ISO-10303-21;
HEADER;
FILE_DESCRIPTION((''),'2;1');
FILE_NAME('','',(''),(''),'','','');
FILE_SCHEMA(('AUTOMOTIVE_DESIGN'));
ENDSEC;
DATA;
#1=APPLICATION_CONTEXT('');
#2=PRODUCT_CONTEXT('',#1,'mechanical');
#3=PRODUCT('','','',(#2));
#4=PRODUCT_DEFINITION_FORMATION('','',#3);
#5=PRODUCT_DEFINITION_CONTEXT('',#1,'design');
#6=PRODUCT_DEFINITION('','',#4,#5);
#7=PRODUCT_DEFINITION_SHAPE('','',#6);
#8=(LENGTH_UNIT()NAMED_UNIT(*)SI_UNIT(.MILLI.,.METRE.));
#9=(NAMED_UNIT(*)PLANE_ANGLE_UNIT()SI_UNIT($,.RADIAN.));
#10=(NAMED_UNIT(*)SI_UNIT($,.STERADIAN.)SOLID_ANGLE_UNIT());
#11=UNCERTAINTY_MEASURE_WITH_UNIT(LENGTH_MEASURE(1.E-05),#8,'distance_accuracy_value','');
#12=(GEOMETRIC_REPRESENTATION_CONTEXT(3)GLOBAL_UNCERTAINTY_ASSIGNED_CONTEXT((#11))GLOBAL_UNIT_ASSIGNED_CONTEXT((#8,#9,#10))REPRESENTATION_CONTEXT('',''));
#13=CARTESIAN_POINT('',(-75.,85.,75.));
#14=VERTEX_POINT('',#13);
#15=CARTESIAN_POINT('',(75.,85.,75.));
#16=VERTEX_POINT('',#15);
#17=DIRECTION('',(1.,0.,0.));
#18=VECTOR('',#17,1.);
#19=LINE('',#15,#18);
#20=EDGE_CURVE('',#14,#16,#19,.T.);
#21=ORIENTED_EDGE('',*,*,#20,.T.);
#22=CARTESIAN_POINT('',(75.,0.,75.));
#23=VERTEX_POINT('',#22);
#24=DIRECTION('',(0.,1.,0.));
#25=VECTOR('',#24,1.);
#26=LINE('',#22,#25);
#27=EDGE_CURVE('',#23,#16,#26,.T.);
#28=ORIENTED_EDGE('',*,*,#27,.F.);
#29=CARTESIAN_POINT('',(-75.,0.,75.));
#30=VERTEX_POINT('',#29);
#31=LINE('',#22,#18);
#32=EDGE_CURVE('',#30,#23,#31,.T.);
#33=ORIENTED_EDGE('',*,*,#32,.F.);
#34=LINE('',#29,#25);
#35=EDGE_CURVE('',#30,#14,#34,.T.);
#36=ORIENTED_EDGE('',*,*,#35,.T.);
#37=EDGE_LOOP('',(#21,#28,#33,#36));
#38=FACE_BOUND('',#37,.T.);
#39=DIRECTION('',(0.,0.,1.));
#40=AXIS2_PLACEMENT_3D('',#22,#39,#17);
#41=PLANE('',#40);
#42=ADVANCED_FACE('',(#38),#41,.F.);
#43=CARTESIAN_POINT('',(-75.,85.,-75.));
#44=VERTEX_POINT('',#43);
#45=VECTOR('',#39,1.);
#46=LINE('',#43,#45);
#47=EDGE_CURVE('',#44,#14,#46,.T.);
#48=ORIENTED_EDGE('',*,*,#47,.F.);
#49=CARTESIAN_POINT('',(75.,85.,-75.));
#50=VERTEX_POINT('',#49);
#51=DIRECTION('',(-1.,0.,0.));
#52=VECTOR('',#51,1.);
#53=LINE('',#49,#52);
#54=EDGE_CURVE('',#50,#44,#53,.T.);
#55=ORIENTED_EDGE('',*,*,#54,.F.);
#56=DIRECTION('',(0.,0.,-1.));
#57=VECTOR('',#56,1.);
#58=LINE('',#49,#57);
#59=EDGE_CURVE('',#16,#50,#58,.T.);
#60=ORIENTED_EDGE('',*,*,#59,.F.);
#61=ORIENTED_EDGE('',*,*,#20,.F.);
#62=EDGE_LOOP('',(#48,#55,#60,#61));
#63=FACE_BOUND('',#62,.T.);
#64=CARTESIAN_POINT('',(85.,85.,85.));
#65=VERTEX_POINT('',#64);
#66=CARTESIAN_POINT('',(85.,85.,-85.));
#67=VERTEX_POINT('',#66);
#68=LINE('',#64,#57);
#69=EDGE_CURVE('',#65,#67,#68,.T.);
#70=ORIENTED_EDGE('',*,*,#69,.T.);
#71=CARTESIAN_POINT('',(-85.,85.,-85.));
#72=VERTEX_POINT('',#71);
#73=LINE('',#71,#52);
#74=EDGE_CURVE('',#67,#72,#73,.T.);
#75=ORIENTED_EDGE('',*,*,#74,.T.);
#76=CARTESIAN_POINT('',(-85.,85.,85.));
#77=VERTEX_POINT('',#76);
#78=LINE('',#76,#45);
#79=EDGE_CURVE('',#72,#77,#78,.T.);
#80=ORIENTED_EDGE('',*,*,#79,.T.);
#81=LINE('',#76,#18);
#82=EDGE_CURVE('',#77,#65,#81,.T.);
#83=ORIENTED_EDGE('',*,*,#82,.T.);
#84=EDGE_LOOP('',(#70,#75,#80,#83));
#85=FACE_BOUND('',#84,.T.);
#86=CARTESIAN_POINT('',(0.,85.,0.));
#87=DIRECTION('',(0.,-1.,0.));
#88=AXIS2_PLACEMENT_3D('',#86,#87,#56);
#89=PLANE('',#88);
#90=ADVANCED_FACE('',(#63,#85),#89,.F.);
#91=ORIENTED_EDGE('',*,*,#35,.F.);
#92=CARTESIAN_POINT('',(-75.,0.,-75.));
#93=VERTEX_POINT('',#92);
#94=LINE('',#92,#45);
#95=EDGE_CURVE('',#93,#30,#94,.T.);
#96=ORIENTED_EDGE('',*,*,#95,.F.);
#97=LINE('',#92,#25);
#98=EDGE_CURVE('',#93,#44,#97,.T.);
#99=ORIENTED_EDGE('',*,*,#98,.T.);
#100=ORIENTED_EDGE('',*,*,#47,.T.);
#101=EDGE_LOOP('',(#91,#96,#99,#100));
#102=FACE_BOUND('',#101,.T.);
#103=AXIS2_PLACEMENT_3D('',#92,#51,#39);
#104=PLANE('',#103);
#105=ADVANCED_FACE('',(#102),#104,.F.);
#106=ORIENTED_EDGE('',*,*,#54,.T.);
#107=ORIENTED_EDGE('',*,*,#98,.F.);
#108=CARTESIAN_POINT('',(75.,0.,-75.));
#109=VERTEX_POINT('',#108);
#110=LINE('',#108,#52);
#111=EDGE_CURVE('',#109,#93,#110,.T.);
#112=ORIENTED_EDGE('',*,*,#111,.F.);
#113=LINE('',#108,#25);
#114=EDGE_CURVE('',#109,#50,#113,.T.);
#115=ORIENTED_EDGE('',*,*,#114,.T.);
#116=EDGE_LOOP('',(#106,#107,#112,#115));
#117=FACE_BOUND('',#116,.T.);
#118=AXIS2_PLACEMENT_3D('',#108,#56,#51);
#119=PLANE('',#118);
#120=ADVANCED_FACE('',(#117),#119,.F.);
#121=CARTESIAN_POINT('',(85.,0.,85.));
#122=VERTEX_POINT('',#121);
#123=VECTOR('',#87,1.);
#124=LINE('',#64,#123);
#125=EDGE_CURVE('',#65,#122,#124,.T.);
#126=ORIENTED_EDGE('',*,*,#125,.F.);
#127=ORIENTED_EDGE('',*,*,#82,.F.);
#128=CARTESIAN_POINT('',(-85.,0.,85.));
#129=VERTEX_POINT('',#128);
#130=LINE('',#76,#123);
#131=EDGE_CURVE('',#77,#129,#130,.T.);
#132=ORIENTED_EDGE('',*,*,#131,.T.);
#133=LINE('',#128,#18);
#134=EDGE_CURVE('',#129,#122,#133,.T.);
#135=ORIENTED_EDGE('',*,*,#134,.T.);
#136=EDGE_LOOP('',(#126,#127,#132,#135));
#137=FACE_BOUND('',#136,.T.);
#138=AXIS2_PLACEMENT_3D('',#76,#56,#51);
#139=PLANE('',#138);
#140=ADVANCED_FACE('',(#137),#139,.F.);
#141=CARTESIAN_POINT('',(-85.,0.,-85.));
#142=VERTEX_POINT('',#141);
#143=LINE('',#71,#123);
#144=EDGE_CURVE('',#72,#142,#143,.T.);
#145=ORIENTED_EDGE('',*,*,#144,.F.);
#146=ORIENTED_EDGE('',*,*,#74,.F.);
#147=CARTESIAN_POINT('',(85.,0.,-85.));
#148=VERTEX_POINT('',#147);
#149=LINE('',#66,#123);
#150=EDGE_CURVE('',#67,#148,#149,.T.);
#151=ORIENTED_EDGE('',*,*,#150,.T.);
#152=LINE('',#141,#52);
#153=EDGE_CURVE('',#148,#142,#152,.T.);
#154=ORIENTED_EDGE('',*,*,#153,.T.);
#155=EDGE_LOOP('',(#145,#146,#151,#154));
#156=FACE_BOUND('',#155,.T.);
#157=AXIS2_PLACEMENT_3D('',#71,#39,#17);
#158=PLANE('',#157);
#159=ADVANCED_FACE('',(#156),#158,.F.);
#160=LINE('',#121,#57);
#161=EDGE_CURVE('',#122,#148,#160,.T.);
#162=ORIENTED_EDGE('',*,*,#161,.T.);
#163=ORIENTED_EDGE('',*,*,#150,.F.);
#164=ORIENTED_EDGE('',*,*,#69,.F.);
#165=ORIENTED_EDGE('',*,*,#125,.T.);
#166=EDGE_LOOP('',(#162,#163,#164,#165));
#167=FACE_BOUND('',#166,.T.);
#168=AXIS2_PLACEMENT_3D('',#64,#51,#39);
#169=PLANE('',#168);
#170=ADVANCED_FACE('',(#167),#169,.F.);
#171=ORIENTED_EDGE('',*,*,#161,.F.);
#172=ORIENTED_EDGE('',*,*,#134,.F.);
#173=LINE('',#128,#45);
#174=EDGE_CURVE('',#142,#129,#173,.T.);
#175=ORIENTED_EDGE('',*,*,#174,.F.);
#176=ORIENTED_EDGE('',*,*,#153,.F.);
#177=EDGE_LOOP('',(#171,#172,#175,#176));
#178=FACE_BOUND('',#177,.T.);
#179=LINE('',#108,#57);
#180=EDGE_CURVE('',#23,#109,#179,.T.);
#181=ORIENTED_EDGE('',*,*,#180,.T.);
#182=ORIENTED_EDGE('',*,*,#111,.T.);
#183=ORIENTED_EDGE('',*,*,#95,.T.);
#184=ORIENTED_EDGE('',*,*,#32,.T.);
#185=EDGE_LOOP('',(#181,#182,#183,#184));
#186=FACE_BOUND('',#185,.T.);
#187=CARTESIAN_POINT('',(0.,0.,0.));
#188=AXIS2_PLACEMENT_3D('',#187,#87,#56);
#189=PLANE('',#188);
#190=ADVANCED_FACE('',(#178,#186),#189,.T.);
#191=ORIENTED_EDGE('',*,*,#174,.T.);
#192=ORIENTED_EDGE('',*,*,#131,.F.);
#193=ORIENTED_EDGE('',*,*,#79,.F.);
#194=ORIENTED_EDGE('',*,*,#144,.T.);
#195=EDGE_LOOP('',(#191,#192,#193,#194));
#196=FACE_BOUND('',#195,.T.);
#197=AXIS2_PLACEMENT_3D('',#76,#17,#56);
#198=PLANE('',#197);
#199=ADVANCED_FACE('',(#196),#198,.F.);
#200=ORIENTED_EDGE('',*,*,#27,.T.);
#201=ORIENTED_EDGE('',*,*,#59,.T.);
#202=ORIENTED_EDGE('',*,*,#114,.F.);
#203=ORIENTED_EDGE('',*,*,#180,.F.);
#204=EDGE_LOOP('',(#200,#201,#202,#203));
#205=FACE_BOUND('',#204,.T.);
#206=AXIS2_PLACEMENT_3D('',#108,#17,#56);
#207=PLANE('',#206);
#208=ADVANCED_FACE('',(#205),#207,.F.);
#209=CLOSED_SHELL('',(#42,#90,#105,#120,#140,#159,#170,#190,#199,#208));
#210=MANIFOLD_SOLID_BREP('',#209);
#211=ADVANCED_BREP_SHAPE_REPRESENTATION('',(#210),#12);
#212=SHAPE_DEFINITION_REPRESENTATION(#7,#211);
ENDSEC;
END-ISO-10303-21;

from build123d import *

# Parameters (mm, degrees)
SKETCH1_W           = 170
SKETCH1_H           = 170
BOSS_EXTRUDE1_DEPTH = 85
SKETCH2_W           = 150
SKETCH2_H           = 150
CUT_EXTRUDE1_DEPTH  = 85


with BuildPart() as part:
    # Sketch1 → Boss-Extrude1 (new body)
    with BuildSketch(Plane(origin=(0, 0, 0), x_dir=(1, 0, 0), z_dir=(0, 1, 0))):
        Rectangle(SKETCH1_W, SKETCH1_H)
    extrude(amount=BOSS_EXTRUDE1_DEPTH)

    # Sketch2 → Cut-Extrude1 (cut)
    with BuildSketch(Plane(origin=(0, 85, 0), x_dir=(1, 0, 0), z_dir=(0, 1, 0))):
        Rectangle(SKETCH2_W, SKETCH2_H)
    extrude(amount=-CUT_EXTRUDE1_DEPTH, mode=Mode.SUBTRACT)


solid = part.part
